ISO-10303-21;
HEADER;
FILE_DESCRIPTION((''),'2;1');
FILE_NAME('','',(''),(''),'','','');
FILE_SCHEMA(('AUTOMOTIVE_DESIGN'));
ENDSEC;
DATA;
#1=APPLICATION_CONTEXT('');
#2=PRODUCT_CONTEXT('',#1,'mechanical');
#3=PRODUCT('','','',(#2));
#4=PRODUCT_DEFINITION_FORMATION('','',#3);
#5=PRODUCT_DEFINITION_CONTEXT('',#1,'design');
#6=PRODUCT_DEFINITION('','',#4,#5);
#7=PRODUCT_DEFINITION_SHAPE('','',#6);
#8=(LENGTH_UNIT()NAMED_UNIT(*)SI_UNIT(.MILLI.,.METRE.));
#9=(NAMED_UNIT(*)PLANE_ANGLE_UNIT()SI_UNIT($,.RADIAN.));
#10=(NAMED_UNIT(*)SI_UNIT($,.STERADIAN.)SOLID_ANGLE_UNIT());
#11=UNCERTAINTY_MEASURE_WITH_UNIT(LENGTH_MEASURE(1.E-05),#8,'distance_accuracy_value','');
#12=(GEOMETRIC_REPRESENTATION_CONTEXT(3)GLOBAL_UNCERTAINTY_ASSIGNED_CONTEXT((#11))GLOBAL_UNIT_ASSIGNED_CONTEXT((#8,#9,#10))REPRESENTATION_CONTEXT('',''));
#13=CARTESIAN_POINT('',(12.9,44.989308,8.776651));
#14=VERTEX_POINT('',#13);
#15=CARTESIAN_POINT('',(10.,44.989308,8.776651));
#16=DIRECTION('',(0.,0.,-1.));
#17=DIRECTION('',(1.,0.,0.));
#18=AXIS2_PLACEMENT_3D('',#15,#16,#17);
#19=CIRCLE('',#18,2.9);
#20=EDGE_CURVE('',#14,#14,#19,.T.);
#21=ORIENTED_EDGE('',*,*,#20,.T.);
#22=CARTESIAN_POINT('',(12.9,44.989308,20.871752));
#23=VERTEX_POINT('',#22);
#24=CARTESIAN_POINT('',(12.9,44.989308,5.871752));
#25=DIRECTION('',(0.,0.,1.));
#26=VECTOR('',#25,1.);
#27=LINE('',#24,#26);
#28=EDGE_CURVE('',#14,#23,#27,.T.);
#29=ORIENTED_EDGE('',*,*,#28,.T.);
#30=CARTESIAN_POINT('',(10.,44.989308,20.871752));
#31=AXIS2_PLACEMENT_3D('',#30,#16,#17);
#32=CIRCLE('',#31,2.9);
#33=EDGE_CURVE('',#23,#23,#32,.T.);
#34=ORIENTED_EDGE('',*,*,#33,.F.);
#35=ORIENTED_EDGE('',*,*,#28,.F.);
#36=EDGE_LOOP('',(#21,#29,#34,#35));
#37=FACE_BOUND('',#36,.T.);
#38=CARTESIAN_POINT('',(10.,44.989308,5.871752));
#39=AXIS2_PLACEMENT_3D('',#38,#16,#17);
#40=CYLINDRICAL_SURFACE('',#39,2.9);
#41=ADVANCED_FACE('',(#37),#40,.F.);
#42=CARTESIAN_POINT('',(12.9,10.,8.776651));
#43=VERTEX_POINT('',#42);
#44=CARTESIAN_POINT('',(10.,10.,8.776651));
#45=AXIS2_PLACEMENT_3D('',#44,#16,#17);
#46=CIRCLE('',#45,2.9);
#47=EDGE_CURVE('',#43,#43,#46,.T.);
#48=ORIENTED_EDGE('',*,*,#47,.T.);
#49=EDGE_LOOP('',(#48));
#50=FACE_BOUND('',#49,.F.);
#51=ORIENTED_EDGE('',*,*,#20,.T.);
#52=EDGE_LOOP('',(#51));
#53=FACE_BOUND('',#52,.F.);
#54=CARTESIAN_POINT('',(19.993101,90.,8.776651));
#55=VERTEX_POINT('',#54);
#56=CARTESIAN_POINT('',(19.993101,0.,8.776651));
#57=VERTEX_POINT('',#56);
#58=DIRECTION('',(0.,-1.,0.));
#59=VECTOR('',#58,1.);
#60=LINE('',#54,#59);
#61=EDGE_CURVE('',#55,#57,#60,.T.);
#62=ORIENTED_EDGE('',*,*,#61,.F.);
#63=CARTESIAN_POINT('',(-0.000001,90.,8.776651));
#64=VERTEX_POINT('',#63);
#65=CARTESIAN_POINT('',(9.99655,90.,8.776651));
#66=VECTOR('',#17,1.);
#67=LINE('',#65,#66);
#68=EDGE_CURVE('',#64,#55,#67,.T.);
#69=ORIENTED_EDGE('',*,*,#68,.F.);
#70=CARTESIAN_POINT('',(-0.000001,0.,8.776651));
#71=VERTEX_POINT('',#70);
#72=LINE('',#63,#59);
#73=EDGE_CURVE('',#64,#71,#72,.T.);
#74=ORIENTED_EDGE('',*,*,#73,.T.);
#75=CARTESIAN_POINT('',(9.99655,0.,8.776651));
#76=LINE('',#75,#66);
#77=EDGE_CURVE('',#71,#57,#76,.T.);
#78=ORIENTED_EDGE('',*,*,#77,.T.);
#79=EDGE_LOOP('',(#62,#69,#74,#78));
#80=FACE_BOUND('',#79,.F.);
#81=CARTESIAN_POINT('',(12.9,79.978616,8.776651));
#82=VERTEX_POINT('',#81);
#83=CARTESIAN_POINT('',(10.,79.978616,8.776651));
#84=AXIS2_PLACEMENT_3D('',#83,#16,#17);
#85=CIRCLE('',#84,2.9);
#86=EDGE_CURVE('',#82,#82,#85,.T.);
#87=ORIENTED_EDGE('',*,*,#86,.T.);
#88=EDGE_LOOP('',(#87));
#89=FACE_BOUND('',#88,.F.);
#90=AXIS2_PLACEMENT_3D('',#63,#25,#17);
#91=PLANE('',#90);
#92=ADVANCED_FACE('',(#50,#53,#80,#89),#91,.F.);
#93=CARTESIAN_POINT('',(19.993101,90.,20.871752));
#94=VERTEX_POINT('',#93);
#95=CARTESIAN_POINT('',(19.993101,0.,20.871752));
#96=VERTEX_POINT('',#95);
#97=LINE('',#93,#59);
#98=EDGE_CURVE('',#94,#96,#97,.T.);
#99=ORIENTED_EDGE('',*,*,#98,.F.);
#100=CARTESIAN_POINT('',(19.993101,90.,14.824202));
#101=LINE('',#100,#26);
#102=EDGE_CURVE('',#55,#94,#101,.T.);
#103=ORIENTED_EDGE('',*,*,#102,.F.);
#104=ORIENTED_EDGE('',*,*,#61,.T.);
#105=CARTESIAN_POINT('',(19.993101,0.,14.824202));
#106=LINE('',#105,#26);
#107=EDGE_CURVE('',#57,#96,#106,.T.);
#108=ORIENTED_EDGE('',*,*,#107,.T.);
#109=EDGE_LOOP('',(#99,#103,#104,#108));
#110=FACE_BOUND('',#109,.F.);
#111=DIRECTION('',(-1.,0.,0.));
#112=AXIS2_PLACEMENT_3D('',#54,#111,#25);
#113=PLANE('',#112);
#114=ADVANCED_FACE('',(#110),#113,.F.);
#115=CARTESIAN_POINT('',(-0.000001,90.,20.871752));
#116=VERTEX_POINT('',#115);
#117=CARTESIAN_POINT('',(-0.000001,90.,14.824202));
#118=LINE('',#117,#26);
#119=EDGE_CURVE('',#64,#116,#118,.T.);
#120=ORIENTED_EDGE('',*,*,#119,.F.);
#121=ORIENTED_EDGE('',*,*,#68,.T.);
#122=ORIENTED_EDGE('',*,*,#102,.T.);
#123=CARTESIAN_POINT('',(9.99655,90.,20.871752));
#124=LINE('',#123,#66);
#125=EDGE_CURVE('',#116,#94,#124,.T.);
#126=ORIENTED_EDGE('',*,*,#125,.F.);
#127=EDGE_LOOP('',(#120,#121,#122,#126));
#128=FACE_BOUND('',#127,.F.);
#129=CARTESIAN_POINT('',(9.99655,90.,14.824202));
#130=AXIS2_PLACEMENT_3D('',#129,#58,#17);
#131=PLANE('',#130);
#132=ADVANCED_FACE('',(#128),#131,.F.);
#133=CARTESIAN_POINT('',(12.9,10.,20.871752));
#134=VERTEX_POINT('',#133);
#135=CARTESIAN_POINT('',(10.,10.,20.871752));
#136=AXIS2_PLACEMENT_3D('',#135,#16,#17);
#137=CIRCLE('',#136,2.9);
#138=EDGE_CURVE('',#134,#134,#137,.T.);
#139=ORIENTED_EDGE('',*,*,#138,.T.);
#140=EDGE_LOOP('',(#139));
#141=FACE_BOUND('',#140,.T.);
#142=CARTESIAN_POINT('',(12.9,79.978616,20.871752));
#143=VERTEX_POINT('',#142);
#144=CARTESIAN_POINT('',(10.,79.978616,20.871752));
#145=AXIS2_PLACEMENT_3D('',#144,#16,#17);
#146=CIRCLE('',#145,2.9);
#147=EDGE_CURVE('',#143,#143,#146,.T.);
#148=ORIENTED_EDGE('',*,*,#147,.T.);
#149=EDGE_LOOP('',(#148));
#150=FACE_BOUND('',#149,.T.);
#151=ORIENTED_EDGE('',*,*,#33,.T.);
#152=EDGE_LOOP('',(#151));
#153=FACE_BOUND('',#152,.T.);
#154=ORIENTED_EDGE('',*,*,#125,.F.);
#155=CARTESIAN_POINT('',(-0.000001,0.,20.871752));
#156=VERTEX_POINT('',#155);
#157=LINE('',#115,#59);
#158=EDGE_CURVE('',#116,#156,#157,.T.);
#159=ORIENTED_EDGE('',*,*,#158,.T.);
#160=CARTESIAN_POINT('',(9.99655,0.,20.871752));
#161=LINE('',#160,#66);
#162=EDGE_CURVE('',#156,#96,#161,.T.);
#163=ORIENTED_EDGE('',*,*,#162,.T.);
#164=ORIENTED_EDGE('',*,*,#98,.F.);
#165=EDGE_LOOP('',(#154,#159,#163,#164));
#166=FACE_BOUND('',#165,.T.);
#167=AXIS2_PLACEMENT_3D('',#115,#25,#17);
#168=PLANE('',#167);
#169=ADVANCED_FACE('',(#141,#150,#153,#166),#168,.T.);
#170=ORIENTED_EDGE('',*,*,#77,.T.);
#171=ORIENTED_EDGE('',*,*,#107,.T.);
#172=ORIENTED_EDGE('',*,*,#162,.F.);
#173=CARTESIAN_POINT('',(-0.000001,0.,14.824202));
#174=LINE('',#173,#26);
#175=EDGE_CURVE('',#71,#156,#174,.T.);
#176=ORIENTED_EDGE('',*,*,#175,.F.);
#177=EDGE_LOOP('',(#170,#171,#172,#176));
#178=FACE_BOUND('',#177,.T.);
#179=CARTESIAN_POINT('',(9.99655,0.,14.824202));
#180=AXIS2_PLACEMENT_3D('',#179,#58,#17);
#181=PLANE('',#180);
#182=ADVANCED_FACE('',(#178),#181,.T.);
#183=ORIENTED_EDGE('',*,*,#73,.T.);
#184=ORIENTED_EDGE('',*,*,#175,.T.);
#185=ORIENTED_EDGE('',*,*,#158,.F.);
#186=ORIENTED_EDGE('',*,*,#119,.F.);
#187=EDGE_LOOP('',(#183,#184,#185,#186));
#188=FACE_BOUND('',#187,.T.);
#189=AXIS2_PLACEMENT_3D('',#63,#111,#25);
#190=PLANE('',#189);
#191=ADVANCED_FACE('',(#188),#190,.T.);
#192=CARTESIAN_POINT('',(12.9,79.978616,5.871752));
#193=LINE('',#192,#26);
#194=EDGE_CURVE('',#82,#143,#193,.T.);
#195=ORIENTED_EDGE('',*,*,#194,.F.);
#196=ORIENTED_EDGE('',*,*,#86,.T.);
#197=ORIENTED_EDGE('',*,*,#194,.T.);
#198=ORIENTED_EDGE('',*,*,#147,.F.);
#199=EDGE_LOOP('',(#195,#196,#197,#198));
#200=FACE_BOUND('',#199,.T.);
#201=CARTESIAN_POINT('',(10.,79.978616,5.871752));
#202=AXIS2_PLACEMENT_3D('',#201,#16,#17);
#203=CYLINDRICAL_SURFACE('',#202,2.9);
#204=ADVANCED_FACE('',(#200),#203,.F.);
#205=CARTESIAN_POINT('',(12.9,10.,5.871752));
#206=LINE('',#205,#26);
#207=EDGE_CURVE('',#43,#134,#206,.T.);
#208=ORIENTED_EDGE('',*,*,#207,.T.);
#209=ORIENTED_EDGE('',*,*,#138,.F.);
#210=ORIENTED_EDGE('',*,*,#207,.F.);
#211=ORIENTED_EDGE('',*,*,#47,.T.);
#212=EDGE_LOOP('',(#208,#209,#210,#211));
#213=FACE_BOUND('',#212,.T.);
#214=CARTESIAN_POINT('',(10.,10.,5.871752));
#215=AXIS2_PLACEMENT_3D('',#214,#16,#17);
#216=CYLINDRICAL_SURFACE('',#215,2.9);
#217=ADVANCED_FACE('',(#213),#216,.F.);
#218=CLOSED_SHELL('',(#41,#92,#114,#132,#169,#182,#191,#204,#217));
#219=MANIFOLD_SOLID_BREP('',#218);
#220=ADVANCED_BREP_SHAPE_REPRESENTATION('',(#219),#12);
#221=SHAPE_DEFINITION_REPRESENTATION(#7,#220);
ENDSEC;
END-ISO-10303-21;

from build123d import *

# Parameters (mm, degrees)
SKETCH010_R      = 2.9
EXTRUDE010_DEPTH = 20
SKETCH009_W      = 19.993101
SKETCH009_H      = 12.095101
EXTRUDE009_DEPTH = 90


with BuildPart() as tornillos003:
    # Sketch010 (on Face4 of Extrude009) → Extrude010 (new body)
    with BuildSketch(Plane.XY.offset(20.871752)):
        with Locations((10, -80)):
            Circle(SKETCH010_R)
        with Locations((10, -45.010692)):
            Circle(SKETCH010_R)
        with Locations((10, -10.021384)):
            Circle(SKETCH010_R)
    extrude(amount=EXTRUDE010_DEPTH)


with BuildPart() as tornillos003_1:
    # Extrude010 placement: moved
    add(tornillos003.part.moved(Location((0, 0, -15))))


with BuildPart() as soporte_imprimir:
    # Sketch009 → Extrude009 (new body)
    with BuildSketch(Plane.XZ):
        with Locations((9.99655, 14.824202)):
            Rectangle(SKETCH009_W, SKETCH009_H)
    extrude(amount=EXTRUDE009_DEPTH)

    # Cut003: cut Tornillos003
    add(tornillos003_1.part, mode=Mode.SUBTRACT)


with BuildPart() as soporte_imprimir_1:
    # Cut003 placement: moved
    add(soporte_imprimir.part.moved(Location((0, 90, 0))))


solid = soporte_imprimir_1.part
